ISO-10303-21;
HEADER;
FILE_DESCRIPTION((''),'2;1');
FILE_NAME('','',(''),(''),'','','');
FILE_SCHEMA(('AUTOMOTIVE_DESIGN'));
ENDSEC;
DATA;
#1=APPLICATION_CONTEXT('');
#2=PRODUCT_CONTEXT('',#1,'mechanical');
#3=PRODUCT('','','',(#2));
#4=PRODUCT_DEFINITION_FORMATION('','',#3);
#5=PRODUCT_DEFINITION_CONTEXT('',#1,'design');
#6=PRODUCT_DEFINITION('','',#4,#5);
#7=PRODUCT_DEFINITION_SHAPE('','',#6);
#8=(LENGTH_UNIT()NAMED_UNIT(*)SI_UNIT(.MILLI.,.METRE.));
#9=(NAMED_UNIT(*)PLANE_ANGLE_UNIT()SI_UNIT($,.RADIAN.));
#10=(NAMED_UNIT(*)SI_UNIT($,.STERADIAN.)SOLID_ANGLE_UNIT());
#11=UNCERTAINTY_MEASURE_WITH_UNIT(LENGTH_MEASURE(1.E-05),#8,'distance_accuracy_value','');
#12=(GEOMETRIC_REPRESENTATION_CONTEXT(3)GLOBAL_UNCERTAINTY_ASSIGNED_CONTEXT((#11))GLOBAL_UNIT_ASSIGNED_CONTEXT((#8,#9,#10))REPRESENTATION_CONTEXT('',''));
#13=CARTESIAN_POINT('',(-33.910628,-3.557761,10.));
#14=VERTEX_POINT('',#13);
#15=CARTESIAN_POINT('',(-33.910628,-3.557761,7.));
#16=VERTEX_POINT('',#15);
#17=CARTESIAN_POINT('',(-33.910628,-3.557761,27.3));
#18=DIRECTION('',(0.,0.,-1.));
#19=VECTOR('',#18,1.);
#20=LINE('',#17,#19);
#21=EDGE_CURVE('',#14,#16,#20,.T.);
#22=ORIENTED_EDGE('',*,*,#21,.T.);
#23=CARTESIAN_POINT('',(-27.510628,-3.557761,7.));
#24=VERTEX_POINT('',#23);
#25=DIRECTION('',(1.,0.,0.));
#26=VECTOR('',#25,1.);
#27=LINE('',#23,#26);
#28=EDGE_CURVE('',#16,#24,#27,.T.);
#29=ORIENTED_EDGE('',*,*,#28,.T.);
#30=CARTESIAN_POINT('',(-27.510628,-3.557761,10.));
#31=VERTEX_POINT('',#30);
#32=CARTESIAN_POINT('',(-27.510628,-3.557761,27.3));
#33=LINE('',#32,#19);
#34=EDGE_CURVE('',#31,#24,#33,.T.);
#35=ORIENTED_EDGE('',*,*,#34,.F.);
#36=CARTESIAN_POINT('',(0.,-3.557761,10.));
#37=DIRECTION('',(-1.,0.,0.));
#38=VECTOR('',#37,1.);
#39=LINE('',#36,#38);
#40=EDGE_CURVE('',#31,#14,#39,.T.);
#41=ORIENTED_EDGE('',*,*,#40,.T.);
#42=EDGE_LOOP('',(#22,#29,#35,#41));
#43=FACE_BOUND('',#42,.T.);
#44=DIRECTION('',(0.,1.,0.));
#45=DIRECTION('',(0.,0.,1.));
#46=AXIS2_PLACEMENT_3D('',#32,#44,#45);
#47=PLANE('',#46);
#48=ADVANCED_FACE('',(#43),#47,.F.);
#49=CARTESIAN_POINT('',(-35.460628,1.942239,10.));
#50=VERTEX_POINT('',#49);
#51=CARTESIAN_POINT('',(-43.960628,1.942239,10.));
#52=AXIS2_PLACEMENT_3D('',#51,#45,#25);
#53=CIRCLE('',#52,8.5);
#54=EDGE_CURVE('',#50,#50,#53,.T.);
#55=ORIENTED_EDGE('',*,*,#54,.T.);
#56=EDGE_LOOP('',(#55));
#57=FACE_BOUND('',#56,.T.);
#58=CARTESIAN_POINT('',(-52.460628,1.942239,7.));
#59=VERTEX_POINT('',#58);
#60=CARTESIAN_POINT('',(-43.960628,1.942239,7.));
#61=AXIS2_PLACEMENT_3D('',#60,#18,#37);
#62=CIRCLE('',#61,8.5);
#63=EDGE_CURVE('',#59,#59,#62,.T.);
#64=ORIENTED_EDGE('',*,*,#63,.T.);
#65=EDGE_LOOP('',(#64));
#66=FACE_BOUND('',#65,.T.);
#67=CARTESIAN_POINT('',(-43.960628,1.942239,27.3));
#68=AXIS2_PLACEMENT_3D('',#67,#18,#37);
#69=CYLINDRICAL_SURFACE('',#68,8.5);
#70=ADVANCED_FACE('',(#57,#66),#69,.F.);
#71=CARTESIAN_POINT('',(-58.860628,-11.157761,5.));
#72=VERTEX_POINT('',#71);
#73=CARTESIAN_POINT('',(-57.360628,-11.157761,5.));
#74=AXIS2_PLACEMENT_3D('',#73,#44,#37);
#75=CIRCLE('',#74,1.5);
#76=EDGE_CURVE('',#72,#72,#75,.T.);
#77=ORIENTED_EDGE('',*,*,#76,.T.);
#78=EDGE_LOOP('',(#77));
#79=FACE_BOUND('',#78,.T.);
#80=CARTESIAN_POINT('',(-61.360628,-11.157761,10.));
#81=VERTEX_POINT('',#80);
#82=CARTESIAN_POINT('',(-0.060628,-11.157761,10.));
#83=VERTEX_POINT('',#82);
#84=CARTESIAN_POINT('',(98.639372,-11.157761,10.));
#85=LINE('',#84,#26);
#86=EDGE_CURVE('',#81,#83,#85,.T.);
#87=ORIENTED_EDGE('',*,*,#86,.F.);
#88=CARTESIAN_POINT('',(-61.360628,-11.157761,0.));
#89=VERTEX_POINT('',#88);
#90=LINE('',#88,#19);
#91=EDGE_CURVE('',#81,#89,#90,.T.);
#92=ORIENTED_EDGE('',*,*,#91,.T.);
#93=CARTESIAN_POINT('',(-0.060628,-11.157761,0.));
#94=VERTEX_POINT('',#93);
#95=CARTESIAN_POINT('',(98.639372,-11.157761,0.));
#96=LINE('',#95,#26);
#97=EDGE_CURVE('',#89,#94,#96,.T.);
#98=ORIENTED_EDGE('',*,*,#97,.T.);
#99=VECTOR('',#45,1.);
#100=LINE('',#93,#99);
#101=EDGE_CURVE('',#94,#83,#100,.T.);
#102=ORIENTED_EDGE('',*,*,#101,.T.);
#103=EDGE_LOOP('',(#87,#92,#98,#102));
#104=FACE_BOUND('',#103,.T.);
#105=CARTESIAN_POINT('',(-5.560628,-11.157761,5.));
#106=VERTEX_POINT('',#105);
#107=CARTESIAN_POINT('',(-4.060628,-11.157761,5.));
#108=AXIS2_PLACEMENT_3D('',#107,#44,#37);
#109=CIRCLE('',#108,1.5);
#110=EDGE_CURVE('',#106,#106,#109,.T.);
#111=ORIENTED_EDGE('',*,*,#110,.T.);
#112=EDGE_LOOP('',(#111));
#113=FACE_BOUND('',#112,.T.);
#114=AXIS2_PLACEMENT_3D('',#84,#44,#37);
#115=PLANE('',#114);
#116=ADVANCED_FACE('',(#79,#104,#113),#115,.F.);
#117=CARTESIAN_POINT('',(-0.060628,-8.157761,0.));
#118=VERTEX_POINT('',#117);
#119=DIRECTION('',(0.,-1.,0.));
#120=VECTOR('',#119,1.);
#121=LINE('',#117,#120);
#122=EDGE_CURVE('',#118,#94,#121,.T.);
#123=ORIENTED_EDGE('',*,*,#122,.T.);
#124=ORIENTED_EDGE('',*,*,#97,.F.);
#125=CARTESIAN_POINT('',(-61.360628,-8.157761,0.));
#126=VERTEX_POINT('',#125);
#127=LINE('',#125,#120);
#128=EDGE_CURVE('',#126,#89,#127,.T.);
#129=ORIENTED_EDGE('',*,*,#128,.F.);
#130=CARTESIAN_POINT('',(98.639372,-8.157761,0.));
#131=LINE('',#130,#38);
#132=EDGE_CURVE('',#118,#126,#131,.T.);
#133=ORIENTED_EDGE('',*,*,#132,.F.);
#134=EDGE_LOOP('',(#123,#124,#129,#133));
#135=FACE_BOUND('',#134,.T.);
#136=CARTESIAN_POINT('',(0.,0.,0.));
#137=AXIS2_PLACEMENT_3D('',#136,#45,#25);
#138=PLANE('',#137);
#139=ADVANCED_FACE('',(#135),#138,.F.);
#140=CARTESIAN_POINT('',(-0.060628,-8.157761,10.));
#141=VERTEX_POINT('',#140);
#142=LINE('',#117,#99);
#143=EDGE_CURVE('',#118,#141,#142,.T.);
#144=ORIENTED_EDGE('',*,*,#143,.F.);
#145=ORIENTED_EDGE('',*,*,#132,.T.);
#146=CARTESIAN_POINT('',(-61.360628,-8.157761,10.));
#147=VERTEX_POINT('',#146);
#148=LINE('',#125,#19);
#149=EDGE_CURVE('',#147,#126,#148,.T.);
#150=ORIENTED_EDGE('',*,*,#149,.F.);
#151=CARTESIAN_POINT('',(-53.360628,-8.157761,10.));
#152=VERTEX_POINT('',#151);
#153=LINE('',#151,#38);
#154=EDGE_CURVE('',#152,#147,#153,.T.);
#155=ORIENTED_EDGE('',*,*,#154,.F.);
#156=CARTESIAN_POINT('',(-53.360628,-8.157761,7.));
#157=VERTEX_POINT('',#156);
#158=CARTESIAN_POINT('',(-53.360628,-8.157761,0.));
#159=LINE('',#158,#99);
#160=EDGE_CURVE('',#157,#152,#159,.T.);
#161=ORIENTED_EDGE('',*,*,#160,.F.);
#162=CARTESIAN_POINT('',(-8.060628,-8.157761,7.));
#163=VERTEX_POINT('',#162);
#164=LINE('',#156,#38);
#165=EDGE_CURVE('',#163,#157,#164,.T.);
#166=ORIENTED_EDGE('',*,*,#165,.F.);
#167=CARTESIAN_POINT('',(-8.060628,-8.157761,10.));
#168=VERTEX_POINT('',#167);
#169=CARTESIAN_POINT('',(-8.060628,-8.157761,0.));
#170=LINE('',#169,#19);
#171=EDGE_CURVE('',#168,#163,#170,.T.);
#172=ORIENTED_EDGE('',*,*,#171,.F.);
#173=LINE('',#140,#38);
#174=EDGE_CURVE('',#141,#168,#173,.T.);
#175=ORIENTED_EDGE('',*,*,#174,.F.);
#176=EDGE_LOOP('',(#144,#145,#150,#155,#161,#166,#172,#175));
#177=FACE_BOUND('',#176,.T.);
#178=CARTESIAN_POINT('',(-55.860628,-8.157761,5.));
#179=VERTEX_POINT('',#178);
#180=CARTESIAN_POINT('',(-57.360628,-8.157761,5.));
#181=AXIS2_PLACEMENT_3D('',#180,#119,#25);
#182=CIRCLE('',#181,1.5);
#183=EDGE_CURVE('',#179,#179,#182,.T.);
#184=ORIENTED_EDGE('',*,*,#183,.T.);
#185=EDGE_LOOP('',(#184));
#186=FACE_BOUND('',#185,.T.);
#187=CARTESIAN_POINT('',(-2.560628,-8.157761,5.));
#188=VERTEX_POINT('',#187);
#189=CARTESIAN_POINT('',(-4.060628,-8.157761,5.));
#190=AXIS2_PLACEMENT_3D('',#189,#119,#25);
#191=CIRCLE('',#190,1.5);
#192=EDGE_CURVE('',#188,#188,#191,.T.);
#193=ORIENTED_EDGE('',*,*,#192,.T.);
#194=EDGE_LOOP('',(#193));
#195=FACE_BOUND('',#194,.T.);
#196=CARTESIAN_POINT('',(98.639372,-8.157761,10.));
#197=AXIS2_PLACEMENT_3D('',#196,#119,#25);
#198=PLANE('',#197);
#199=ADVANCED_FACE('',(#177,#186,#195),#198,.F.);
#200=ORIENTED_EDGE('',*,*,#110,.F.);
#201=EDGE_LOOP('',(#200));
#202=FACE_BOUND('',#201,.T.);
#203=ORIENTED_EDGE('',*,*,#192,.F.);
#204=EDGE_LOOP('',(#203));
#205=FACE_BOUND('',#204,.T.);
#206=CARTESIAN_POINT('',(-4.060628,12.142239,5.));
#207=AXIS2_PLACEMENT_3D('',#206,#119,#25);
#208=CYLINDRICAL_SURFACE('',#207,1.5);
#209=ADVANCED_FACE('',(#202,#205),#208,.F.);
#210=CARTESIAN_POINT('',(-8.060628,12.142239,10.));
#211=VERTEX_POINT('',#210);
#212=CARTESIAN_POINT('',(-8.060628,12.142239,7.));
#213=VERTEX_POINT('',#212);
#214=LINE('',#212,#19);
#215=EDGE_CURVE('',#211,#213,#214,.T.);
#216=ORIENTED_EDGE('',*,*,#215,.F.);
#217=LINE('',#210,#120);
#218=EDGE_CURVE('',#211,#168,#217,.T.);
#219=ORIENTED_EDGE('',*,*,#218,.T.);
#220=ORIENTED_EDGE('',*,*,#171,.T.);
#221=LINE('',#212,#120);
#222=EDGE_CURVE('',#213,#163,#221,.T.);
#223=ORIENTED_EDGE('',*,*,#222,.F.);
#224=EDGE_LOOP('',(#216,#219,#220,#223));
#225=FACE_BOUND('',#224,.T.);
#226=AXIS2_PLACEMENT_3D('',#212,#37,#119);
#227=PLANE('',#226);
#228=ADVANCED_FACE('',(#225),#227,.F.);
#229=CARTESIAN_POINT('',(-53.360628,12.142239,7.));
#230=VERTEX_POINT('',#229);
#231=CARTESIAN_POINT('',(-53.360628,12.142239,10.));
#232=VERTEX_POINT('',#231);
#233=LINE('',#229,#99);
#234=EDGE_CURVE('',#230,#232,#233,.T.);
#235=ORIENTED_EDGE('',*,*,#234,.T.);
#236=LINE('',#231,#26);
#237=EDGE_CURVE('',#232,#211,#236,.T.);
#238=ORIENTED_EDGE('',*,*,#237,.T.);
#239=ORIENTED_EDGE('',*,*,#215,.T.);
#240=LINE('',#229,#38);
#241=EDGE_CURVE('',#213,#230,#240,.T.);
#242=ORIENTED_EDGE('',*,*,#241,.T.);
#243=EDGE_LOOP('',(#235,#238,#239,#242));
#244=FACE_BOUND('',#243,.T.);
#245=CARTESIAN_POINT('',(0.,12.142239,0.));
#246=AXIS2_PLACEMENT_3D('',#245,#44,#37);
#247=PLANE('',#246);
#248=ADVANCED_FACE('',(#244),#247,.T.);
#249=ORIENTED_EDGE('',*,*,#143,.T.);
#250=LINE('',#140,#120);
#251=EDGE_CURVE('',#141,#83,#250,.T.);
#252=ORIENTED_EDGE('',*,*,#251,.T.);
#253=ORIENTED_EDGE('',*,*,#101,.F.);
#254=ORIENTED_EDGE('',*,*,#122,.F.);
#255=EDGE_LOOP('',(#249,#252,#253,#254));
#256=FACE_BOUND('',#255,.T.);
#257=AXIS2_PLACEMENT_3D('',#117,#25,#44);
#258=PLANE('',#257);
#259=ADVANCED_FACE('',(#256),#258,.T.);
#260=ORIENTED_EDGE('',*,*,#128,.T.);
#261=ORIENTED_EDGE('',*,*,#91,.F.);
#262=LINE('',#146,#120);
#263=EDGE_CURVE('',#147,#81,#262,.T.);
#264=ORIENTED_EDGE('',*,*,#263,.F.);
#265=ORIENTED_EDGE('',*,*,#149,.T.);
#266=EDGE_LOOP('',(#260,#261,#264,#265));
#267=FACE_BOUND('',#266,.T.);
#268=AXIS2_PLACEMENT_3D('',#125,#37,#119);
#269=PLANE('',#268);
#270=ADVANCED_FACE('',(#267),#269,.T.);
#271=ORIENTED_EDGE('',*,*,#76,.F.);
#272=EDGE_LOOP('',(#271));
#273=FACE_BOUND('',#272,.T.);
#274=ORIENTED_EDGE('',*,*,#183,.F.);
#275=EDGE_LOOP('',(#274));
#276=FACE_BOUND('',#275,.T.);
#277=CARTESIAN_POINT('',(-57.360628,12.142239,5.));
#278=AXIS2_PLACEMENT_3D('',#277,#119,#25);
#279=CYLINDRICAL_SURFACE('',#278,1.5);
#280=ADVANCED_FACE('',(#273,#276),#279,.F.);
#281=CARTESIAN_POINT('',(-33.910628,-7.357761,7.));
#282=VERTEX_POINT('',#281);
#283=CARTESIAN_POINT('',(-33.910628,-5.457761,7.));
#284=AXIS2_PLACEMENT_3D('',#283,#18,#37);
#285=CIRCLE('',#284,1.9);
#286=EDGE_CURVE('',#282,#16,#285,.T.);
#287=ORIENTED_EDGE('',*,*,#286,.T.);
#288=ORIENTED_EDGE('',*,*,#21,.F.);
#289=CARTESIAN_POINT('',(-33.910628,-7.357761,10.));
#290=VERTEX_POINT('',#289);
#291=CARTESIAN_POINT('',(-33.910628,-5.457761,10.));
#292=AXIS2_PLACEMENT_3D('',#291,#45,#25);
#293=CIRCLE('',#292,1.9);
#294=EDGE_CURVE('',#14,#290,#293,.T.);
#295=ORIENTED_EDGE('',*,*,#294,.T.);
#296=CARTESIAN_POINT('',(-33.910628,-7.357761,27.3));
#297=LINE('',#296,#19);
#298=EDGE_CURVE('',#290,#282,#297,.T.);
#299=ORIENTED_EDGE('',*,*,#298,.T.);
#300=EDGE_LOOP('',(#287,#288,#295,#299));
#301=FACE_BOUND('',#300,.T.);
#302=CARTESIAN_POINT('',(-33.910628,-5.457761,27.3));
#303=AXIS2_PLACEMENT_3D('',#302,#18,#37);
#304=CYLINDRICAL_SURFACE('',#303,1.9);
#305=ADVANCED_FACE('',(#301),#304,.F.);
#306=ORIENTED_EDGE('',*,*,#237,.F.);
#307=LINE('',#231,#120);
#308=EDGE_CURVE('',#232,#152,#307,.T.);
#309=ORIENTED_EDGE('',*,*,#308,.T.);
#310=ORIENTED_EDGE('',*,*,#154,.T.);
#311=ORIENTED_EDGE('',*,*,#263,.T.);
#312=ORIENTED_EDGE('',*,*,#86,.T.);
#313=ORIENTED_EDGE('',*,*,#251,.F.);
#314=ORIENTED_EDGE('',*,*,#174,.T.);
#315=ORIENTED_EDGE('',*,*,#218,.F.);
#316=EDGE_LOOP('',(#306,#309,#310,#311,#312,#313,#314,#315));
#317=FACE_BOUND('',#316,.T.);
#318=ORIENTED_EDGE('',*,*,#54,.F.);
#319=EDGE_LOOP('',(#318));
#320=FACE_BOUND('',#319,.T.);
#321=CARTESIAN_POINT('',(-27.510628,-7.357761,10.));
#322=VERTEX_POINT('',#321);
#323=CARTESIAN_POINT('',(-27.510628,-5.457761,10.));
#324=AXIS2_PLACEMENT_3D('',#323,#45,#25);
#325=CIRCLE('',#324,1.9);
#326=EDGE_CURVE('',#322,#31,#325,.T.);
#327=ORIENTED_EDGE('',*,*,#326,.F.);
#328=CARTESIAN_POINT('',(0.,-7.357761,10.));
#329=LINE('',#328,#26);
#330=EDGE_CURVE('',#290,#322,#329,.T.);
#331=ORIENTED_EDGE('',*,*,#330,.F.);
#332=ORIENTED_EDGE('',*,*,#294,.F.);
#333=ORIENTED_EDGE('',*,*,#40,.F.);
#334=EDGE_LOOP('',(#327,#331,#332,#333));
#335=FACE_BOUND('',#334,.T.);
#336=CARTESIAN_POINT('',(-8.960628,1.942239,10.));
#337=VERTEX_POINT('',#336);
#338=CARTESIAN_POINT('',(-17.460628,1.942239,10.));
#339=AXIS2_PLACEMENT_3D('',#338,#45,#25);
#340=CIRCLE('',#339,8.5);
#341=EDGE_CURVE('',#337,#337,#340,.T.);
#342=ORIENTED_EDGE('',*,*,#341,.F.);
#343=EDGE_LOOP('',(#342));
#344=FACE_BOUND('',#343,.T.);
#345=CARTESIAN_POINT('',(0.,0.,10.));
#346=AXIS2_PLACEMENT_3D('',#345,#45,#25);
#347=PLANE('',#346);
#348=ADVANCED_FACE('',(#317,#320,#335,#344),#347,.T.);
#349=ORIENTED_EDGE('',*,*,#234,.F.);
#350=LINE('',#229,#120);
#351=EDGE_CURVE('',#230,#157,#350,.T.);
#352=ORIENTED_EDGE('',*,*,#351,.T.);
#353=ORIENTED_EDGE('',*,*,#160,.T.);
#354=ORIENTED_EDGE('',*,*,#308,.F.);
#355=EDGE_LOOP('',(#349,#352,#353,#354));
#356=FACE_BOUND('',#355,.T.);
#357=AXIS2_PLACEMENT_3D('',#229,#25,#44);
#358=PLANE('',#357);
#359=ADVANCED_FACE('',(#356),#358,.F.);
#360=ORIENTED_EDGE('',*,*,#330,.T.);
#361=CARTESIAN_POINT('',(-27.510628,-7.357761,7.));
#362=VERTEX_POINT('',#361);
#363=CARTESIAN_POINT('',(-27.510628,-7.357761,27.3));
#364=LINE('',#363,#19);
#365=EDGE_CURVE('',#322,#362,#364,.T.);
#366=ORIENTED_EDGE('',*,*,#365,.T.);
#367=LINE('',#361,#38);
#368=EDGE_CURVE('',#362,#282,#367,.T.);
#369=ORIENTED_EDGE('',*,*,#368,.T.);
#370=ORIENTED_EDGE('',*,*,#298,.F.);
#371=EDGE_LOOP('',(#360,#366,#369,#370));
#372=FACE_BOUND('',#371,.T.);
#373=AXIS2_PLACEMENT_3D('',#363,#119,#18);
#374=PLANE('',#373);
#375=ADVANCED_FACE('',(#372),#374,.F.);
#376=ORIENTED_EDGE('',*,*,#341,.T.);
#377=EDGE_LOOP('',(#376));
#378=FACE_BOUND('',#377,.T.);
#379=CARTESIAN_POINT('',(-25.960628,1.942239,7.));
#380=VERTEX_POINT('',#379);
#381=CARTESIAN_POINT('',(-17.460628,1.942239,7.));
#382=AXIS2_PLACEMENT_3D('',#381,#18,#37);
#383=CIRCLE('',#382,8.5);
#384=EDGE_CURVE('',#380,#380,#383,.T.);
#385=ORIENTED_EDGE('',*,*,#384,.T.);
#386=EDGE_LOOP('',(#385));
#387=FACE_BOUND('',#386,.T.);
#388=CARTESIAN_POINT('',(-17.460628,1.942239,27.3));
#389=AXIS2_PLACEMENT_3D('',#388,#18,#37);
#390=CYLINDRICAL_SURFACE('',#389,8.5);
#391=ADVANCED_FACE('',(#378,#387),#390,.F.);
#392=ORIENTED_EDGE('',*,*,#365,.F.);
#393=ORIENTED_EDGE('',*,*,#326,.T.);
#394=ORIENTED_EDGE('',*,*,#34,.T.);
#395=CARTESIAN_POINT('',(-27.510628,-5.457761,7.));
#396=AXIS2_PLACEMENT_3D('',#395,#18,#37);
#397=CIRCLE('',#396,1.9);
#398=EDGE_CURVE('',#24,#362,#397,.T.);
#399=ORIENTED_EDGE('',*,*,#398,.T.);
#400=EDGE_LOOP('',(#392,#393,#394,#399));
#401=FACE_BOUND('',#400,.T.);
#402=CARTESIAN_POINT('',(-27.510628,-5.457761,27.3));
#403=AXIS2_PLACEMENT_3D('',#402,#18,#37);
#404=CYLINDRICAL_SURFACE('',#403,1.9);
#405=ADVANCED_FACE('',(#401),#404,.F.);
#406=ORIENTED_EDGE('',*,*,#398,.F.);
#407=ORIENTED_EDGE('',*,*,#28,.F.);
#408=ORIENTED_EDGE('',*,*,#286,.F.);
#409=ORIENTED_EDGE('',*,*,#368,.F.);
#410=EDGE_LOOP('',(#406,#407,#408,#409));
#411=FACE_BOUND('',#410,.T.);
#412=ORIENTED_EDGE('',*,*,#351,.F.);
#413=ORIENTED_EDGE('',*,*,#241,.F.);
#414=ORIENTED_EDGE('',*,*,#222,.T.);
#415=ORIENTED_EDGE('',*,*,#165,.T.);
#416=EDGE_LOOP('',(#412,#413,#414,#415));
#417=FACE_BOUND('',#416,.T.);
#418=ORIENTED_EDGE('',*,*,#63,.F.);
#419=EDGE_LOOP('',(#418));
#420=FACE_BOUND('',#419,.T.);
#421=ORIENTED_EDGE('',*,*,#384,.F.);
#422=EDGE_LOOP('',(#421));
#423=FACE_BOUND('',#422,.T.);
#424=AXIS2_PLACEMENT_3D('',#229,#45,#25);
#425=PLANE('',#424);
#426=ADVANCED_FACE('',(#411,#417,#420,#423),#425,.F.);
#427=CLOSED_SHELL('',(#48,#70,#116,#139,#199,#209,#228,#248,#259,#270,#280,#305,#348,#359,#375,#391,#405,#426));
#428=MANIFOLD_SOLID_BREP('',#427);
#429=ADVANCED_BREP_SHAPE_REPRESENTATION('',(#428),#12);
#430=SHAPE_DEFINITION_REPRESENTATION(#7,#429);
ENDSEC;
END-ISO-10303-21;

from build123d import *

# Parameters (mm, degrees)
SKETCH1_W               = 170
SKETCH1_H               = 3
BOSS_EXTRUDE1_DEPTH     = 10
SKETCH4_R               = 1.2
CUT_EXTRUDE1_DEPTH      = 21
SKETCH2_W               = 45.3
SKETCH2_H               = 3
BOSS_EXTRUDE6_DEPTH     = 20.3
SKETCH5_R               = 8.5
CUT_EXTRUDE2_DEPTH      = 20.3
SKETCH6_W               = 45.3
SKETCH6_H               = 3
BOSS_EXTRUDE7_DEPTH     = 20.3
SKETCH7_R               = 8.5
CUT_EXTRUDE3_DEPTH      = 100.885733504
CUT_EXTRUDE5_DEPTH      = 102.201856693
CUT_EXTRUDE5_DEPTH_BACK = 102.201856693
SKETCH12_W              = 88.7
SKETCH12_H              = 17.241657791
CUT_EXTRUDE6_DEPTH      = 75.862735481
CUT_EXTRUDE6_DEPTH_BACK = 75.862735481
SKETCH13_W              = 37.135878318
SKETCH13_H              = 38.462159687
SKETCH13_W_2            = 38.462159687
SKETCH13_H_2            = 47.746129266
SKETCH15_W              = 8
SKETCH15_H              = 10
BOSS_EXTRUDE9_DEPTH     = 3
CUT_EXTRUDE7_DEPTH      = 67.392895801
CUT_EXTRUDE7_DEPTH_BACK = 67.392895801
SKETCH16_R              = 1.5


with BuildPart() as part:
    # Sketch1 → Boss-Extrude1 (new body)
    with BuildSketch(Plane.XY):
        with Locations((13.639372454, -9.657761352)):
            Rectangle(SKETCH1_W, SKETCH1_H)
    extrude(amount=BOSS_EXTRUDE1_DEPTH)

    # Sketch4 → Cut-Extrude1 (cut)
    with BuildSketch(Plane(origin=(0, -8.157761352, 0), x_dir=(1, 0, 0), z_dir=(0, 1, 0))):
        with Locations(Location((-63.360627546, -4.938536908, 0), (0, 0, 180))):
            Circle(SKETCH4_R)
        with Locations(Location((90.639372454, -5.283238547, 0), (0, 0, 180))):
            Circle(SKETCH4_R)
    extrude(amount=-CUT_EXTRUDE1_DEPTH, mode=Mode.SUBTRACT)

    # Sketch2 → Boss-Extrude6 (add)
    with BuildSketch(Plane(origin=(0, -8.157761352, 0), x_dir=(1, 0, 0), z_dir=(0, 1, 0))):
        with Locations((-30.710627546, -8.5)):
            Rectangle(SKETCH2_W, SKETCH2_H)
    extrude(amount=BOSS_EXTRUDE6_DEPTH)

    # Sketch5 → Cut-Extrude2 (cut)
    with BuildSketch(Plane(origin=(0, 0, 7), x_dir=(-1, 0, 0), z_dir=(0, 0, -1))):
        with Locations((17.460627546, 1.942238648)):
            Circle(SKETCH5_R)
        with Locations((43.960627546, 1.942238648)):
            Circle(SKETCH5_R)
        with BuildLine():
            Line((27.510627546, -3.557761352), (33.910627546, -3.557761352))
            ThreePointArc((33.910627546, -3.557761352), (35.810627546, -5.457761352), (33.910627546, -7.357761352))
            Line((33.910627546, -7.357761352), (27.510627546, -7.357761352))
            ThreePointArc((27.510627546, -7.357761352), (25.610627546, -5.457761352), (27.510627546, -3.557761352))
        make_face()
    extrude(amount=-CUT_EXTRUDE2_DEPTH, mode=Mode.SUBTRACT)

    # Sketch6 → Boss-Extrude7 (add)
    with BuildSketch(Plane(origin=(0, -8.157761352, 0), x_dir=(1, 0, 0), z_dir=(0, 1, 0))):
        with Locations((57.989372454, -8.5)):
            Rectangle(SKETCH6_W, SKETCH6_H)
    extrude(amount=BOSS_EXTRUDE7_DEPTH)

    # Sketch7 → Cut-Extrude3 (cut, through all)
    with BuildSketch(Plane.XY.offset(10)):
        with Locations((44.739372454, 1.942238648)):
            Circle(SKETCH7_R)
        with Locations((71.239372454, 1.942238648)):
            Circle(SKETCH7_R)
        with BuildLine():
            Line((54.839372454, -3.557761352), (61.239372454, -3.557761352))
            ThreePointArc((61.239372454, -3.557761352), (63.139372454, -5.457761352), (61.239372454, -7.357761352))
            Line((61.239372454, -7.357761352), (54.839372454, -7.357761352))
            ThreePointArc((54.839372454, -7.357761352), (52.939372454, -5.457761352), (54.839372454, -3.557761352))
        make_face()
    extrude(amount=-CUT_EXTRUDE3_DEPTH, mode=Mode.SUBTRACT)

    # Sketch12 → Cut-Extrude5 (cut, two sides: drawn at the far end of the back side and taken through both)
    with BuildSketch(Plane(origin=(0, -8.157761352, 0), x_dir=(1, 0, 0), z_dir=(0, 1, 0)).offset(-CUT_EXTRUDE5_DEPTH_BACK)):
        with Locations((54.289372454, -4.61843826)):
            Rectangle(SKETCH12_W, SKETCH12_H)
    extrude(amount=CUT_EXTRUDE5_DEPTH + CUT_EXTRUDE5_DEPTH_BACK, mode=Mode.SUBTRACT)

    # Sketch13 → Cut-Extrude6 (cut, two sides: drawn at the far end of the back side and taken through both)
    with BuildSketch(Plane(origin=(0, -8.157761352, 0), x_dir=(1, 0, 0), z_dir=(0, 1, 0)).offset(-CUT_EXTRUDE6_DEPTH_BACK)):
        with Locations((-71.928566705, 3.983905185)):
            Rectangle(SKETCH13_W, SKETCH13_H)
        with Locations((11.170452297, -17.070811541)):
            Rectangle(SKETCH13_W_2, SKETCH13_H_2)
    extrude(amount=CUT_EXTRUDE6_DEPTH + CUT_EXTRUDE6_DEPTH_BACK, mode=Mode.SUBTRACT)

    # Sketch15 → Boss-Extrude9 (add)
    with BuildSketch(Plane.XZ.offset(11.157761352)):
        with Locations((-57.360627546, 5)):
            Rectangle(SKETCH15_W, SKETCH15_H)
        with Locations((-4.060627546, 5)):
            Rectangle(SKETCH15_W, SKETCH15_H)
    extrude(amount=-BOSS_EXTRUDE9_DEPTH)

    # Sketch16 → Cut-Extrude7 (cut, two sides: drawn at the far end of the back side and taken through both)
    with BuildSketch(Plane(origin=(0, -11.157761352, 0), x_dir=(-1, 0, 0), z_dir=(0, -1, 0)).offset(-CUT_EXTRUDE7_DEPTH_BACK)):
        with Locations(Location((57.360627546, -5, 0), (0, 0, 180))):
            Circle(SKETCH16_R)
        with Locations(Location((4.060627546, -5, 0), (0, 0, 180))):
            Circle(SKETCH16_R)
    extrude(amount=CUT_EXTRUDE7_DEPTH + CUT_EXTRUDE7_DEPTH_BACK, mode=Mode.SUBTRACT)


solid = part.part
